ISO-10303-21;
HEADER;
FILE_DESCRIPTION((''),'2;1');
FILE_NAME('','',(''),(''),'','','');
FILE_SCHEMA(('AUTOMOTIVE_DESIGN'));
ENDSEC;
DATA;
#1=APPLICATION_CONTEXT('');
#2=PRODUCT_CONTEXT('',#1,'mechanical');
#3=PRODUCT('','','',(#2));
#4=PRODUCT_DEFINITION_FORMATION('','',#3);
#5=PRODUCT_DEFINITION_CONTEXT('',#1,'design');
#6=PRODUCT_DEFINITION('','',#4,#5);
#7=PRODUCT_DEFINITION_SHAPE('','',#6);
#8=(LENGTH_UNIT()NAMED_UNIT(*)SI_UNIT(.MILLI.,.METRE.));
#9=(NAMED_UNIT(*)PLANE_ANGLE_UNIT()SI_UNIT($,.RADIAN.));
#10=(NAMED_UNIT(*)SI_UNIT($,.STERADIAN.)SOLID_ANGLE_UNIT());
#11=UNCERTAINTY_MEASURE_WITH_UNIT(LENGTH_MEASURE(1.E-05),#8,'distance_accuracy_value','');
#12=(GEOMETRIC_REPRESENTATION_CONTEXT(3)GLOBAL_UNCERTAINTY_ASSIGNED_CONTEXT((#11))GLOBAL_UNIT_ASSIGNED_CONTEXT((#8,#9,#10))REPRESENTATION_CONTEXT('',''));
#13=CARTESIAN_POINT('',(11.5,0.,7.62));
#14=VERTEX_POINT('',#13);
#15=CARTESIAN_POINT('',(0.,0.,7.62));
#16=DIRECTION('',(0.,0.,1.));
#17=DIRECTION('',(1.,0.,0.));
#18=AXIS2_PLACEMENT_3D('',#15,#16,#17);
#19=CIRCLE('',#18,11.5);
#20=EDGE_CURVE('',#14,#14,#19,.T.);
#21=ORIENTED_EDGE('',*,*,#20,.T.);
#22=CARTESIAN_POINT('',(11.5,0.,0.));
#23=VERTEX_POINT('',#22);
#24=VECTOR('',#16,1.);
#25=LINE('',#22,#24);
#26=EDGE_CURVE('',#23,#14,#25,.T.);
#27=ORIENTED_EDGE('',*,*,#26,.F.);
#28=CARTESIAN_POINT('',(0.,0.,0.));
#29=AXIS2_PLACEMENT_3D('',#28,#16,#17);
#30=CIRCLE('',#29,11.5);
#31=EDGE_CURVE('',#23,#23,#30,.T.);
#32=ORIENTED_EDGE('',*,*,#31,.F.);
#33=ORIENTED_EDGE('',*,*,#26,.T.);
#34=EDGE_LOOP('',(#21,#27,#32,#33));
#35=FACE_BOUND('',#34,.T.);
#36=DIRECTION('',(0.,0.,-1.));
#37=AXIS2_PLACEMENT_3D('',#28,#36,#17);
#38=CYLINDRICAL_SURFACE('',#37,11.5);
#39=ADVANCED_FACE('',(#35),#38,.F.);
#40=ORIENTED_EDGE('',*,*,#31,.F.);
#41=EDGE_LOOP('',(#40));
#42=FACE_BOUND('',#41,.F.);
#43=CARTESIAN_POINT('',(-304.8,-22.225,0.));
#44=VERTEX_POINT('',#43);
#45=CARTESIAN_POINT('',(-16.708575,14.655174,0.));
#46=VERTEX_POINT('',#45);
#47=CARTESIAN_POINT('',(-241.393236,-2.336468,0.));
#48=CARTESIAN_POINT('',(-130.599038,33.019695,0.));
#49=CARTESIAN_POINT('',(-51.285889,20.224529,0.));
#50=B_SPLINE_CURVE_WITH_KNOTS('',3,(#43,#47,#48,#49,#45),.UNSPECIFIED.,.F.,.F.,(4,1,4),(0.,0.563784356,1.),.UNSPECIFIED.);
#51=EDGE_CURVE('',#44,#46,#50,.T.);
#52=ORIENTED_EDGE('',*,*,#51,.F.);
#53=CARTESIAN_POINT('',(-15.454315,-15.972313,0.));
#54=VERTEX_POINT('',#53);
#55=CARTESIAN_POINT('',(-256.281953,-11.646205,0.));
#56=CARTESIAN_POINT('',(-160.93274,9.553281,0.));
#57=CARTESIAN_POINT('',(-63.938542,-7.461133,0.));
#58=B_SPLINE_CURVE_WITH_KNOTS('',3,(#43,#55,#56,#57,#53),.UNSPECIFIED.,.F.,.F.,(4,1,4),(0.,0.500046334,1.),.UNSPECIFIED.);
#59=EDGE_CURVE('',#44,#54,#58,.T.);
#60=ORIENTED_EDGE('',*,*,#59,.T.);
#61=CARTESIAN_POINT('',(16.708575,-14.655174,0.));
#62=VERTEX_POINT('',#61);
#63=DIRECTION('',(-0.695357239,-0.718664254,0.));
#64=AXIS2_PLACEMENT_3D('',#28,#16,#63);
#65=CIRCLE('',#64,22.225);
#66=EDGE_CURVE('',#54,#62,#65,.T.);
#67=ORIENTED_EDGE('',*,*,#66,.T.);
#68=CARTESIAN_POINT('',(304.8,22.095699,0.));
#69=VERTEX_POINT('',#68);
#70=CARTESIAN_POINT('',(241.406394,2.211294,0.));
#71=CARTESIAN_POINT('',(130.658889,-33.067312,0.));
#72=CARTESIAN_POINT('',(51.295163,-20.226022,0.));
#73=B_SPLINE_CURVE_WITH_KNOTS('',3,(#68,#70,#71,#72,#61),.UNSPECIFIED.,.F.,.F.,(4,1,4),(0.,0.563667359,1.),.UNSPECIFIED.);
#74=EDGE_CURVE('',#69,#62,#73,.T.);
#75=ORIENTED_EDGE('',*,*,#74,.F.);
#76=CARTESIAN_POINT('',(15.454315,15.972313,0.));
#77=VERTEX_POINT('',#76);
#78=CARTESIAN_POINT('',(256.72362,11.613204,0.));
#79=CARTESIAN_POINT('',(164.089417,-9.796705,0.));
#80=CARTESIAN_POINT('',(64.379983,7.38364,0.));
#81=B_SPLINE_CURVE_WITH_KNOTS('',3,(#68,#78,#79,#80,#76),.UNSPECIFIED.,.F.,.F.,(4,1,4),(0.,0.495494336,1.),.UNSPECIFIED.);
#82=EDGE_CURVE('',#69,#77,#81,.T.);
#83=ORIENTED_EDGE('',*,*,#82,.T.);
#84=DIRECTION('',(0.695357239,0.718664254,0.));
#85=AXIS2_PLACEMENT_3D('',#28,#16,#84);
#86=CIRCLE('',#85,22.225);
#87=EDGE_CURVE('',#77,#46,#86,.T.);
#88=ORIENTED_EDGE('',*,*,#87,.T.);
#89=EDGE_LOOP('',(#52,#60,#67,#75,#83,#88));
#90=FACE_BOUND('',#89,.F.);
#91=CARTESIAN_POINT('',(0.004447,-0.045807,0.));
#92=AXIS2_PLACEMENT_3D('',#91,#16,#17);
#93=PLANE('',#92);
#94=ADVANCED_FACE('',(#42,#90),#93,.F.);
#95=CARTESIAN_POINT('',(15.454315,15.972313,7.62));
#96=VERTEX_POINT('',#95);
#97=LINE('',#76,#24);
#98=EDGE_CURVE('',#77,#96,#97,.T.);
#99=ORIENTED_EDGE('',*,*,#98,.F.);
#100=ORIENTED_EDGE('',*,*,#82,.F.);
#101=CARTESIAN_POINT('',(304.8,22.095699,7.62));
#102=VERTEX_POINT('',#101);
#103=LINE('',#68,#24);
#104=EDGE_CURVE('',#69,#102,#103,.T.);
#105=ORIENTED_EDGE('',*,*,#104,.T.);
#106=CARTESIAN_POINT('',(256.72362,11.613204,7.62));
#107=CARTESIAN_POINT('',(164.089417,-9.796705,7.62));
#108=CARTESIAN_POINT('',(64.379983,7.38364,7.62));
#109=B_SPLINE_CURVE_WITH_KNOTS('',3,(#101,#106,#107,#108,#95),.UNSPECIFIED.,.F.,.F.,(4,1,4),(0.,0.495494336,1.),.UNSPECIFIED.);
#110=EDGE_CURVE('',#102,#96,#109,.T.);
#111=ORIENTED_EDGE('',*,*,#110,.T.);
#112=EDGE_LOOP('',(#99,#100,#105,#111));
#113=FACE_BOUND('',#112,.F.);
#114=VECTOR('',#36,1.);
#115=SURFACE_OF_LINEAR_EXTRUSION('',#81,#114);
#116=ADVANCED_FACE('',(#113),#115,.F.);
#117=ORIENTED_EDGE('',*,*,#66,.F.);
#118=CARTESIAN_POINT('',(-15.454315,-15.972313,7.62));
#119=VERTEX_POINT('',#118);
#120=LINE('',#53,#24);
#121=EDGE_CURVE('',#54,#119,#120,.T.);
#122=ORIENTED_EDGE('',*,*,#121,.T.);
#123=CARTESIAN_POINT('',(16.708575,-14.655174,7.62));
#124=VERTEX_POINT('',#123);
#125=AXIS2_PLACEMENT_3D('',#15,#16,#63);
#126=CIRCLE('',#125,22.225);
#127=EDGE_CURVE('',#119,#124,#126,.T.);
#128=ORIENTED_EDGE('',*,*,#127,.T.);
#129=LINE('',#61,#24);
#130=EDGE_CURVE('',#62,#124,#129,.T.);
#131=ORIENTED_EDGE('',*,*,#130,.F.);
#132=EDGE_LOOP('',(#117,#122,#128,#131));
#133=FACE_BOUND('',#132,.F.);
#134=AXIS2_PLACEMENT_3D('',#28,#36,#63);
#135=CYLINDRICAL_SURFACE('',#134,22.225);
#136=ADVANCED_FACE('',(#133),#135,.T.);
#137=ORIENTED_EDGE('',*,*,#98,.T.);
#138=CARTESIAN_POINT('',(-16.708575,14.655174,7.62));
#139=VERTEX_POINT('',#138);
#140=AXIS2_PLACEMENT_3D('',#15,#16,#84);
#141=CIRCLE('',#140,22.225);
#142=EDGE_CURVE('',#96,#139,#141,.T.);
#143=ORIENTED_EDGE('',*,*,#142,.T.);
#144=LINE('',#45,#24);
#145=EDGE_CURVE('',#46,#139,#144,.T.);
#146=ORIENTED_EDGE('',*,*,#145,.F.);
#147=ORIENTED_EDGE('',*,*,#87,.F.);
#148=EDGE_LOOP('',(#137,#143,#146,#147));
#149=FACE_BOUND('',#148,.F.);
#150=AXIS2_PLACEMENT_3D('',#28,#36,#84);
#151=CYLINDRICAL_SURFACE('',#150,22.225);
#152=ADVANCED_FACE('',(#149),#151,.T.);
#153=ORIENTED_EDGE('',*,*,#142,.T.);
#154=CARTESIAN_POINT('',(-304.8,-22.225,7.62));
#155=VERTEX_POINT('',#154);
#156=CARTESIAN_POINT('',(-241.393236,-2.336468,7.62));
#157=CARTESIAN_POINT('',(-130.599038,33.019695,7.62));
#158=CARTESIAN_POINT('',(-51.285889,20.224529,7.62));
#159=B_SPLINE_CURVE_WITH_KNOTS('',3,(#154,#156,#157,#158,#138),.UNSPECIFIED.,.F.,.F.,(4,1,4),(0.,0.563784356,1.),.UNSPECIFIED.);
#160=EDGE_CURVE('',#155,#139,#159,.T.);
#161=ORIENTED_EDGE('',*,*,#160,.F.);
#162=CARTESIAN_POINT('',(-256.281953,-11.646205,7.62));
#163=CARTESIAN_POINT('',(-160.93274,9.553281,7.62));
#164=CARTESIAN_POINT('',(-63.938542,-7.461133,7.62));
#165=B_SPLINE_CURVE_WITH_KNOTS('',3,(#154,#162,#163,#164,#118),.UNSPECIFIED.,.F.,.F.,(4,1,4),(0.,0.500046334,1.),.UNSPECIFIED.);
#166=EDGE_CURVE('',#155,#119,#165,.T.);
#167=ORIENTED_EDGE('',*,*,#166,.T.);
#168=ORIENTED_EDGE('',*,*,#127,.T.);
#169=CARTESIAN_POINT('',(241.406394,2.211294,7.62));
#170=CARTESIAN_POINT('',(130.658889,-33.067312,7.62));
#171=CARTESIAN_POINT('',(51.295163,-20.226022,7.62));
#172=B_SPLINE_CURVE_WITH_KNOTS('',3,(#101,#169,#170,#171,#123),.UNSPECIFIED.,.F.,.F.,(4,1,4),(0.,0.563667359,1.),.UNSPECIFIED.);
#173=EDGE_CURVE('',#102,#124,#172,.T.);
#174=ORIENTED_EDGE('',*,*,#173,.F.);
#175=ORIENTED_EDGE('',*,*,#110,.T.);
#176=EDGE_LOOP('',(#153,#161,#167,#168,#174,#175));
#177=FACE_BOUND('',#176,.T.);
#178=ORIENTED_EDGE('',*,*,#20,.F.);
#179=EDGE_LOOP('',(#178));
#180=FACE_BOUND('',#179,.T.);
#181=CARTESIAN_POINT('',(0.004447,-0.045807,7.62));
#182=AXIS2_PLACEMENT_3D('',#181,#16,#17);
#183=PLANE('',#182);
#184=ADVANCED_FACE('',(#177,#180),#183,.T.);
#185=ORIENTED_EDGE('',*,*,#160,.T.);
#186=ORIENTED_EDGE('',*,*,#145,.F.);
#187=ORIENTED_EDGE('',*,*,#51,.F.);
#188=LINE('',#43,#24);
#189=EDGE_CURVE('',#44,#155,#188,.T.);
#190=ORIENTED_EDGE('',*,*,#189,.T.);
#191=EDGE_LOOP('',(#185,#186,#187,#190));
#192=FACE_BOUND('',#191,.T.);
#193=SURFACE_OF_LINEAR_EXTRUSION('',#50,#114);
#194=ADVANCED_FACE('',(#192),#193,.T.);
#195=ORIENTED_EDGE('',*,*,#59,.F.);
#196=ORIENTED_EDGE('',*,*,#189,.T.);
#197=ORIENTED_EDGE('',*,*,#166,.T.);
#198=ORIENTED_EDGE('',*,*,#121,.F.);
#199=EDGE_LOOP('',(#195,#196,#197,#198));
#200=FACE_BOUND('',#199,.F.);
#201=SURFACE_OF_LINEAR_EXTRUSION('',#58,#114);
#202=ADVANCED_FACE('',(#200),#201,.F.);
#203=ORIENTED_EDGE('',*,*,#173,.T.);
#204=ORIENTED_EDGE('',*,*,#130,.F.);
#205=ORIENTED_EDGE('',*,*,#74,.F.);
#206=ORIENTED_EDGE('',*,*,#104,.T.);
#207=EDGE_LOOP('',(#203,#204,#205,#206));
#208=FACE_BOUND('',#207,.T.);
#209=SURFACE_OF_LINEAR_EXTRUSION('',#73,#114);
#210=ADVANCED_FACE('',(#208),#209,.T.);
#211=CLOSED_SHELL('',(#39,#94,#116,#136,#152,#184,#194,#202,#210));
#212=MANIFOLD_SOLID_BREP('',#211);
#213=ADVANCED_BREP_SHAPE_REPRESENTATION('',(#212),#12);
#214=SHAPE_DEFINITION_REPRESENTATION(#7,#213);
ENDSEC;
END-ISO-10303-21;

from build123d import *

# Parameters (mm, degrees)
F0_R     = 11.5
F1_DEPTH = 7.62


with BuildPart() as f1:
    # F0 (on Top) → F1 (new body)
    with BuildSketch(Plane.XY):
        with BuildLine():
            add(Edge.make_bspline(
                [(-304.8, -22.225), (-256.281952717, -11.6462046985), (-160.9327395291, 9.5532810961), (-63.9385421445, -7.4611328072), (-15.4543146438, -15.9723130414)],
                knots=[0, 0, 0, 0, 0.5000463338, 1, 1, 1, 1], degree=3))
            ThreePointArc((-15.4543146438, -15.9723130414), (0.9093988539, -22.2063868904), (16.7085754969, -14.655174167))
            add(Edge.make_bspline(
                [(304.8, 22.0956989706), (241.4063940217, 2.2112943637), (130.6588891485, -33.0673118699), (51.2951629881, -20.2260222501), (16.7085754969, -14.655174167)],
                knots=[0, 0, 0, 0, 0.5636673589, 1, 1, 1, 1], degree=3))
            add(Edge.make_bspline(
                [(304.8, 22.0956989706), (256.7236198928, 11.6132040543), (164.0894170156, -9.7967048574), (64.3799832607, 7.3836398761), (15.4543146438, 15.9723130414)],
                knots=[0, 0, 0, 0, 0.4954943359, 1, 1, 1, 1], degree=3))
            ThreePointArc((15.4543146438, 15.9723130414), (-0.9093988539, 22.2063868904), (-16.7085754969, 14.655174167))
            add(Edge.make_bspline(
                [(-304.8, -22.225), (-241.3932358108, -2.3364681127), (-130.5990382064, 33.0196945107), (-51.285889048, 20.2245285002), (-16.7085754969, 14.655174167)],
                knots=[0, 0, 0, 0, 0.5637843557, 1, 1, 1, 1], degree=3))
        make_face()
        Circle(F0_R, mode=Mode.SUBTRACT)
    extrude(amount=F1_DEPTH)


solid = f1.part
